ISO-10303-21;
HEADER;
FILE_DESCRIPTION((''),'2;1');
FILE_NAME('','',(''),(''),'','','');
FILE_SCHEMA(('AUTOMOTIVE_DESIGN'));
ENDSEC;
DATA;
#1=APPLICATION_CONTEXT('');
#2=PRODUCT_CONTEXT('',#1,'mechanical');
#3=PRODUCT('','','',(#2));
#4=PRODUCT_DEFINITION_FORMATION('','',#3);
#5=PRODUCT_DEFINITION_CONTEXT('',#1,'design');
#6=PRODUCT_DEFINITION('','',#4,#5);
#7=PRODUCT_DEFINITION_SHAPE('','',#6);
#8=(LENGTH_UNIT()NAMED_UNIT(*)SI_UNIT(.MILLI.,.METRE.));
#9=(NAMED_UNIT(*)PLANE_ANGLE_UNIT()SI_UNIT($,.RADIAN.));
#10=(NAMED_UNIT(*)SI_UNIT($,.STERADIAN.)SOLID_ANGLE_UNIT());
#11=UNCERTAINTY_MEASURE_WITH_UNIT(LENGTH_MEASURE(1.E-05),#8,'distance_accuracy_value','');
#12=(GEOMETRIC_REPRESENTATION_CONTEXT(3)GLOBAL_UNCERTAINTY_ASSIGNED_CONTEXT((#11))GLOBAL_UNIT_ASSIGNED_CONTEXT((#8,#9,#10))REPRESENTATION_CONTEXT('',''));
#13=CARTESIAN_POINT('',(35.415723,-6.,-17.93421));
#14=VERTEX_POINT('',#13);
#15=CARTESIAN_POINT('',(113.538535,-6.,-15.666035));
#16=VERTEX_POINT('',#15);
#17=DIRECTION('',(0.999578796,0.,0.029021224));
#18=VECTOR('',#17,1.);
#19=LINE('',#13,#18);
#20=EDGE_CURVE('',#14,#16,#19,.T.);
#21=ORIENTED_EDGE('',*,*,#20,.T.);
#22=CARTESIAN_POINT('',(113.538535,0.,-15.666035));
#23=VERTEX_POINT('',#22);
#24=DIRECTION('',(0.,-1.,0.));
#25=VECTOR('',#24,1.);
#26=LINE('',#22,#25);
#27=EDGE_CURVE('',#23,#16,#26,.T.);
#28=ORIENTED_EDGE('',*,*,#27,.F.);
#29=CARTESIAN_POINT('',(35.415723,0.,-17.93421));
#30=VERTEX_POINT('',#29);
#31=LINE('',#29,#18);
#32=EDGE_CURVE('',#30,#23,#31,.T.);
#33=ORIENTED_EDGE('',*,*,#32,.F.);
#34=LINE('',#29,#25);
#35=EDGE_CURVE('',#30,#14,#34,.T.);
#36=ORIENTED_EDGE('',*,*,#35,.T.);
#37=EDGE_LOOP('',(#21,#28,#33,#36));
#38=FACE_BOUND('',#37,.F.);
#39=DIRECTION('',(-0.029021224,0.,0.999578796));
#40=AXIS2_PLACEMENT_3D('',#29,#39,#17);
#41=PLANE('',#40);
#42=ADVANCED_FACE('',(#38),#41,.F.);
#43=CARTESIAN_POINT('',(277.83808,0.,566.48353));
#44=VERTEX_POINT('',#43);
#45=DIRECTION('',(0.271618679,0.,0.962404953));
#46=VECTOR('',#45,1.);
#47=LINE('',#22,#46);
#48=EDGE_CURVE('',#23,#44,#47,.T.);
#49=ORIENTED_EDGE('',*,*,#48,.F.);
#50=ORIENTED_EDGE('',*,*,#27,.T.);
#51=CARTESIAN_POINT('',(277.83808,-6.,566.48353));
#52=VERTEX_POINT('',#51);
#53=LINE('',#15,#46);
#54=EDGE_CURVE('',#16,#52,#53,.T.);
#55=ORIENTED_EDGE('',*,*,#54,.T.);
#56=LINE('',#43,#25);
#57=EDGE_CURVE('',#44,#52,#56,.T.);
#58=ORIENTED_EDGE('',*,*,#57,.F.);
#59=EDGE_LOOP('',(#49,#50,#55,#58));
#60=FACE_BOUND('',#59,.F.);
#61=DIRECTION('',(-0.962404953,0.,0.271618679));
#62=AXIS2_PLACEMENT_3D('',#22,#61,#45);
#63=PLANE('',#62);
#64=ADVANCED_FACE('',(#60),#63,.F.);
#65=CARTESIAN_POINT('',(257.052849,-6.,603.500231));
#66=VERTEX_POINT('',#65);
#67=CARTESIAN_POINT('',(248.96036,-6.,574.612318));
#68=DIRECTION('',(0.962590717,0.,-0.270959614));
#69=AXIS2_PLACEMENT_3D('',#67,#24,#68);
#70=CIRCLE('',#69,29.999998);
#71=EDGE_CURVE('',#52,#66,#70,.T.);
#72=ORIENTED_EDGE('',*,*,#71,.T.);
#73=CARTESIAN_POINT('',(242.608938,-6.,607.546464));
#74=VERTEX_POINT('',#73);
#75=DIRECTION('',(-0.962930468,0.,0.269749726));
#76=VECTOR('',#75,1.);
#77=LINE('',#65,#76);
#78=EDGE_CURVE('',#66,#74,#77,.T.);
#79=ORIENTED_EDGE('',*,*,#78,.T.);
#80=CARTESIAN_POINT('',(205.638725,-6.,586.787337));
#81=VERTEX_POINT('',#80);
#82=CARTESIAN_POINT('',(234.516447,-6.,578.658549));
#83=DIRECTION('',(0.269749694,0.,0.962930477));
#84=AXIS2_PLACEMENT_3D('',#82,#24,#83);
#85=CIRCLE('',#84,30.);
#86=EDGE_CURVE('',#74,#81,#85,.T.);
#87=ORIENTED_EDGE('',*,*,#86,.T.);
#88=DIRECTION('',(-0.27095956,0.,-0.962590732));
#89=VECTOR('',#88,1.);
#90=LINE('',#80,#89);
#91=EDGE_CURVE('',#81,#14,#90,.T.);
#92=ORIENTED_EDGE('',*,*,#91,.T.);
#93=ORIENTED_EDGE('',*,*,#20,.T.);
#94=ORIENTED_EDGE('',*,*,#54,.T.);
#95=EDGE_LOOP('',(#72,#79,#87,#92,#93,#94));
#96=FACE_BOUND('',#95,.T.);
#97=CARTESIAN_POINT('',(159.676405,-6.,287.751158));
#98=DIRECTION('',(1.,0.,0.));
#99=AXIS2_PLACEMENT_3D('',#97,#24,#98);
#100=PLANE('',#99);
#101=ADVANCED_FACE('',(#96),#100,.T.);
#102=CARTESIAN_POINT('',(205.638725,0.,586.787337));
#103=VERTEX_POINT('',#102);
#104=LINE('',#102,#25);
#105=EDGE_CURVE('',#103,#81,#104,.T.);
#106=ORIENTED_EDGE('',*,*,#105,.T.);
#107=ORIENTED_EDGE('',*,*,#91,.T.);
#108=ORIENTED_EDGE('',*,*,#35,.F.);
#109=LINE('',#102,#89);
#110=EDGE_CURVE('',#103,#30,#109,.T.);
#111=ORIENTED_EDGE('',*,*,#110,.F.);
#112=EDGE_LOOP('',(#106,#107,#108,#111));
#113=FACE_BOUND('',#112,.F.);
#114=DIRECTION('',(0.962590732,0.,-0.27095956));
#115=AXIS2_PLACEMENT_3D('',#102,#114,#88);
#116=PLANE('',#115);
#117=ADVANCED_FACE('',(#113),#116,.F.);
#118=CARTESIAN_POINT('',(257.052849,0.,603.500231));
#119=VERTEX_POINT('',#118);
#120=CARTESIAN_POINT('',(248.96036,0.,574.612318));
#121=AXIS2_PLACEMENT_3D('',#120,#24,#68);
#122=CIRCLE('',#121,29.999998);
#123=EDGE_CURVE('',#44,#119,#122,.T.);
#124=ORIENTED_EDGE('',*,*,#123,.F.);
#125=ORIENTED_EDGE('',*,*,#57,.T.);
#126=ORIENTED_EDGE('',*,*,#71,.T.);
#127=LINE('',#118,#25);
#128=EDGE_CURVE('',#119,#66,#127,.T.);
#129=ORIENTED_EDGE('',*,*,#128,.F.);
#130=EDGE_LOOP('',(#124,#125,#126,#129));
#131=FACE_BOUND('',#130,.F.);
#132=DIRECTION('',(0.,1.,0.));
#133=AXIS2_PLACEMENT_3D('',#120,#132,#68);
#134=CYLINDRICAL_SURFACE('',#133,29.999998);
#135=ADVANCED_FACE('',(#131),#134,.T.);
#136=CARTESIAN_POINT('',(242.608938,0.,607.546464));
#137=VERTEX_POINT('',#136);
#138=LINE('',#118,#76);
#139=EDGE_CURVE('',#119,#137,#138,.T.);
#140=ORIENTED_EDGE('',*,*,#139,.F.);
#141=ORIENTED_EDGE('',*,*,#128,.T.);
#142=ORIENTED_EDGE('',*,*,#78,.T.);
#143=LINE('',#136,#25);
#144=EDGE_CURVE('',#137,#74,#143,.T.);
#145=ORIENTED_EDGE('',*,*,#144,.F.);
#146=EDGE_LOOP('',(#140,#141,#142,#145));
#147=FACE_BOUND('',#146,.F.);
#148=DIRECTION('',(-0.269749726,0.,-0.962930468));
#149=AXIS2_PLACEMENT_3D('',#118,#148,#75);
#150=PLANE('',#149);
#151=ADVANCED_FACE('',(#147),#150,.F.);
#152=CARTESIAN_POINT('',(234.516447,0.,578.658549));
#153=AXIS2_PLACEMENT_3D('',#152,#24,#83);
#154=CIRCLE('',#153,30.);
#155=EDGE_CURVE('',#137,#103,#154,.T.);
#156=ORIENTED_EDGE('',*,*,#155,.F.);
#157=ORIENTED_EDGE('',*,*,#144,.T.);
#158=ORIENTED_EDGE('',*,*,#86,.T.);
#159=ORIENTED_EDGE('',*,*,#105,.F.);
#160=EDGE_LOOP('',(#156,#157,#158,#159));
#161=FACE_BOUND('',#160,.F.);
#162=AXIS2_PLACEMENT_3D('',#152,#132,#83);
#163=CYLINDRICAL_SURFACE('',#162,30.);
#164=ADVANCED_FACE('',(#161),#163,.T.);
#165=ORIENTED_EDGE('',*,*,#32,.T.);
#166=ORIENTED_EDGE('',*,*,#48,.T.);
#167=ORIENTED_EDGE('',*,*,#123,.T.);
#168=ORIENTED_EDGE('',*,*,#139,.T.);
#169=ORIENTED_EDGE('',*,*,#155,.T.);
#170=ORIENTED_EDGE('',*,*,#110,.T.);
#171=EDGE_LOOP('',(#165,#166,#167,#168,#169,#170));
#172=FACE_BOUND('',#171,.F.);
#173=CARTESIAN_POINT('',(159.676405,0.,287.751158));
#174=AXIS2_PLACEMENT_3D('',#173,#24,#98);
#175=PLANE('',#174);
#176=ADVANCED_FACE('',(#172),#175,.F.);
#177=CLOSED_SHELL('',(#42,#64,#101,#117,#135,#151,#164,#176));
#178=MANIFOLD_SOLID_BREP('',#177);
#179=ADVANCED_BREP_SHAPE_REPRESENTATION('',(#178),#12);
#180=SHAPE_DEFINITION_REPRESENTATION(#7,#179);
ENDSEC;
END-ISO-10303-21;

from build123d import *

# Parameters (mm, degrees)
F1_DEPTH = 6


with BuildPart() as f1:
    # F0 (on Front) → F1 (new body)
    with BuildSketch(Plane.XZ):
        with BuildLine():
            Line((205.638725, 586.787337), (35.415723, -17.93421))
            Line((35.415723, -17.93421), (113.538535, -15.666035))
            Line((113.538535, -15.666035), (277.83808, 566.48353))
            ThreePointArc((277.83808, 566.48353), (275.118688, 589.300469), (257.052849, 603.500231))
            Line((257.052849, 603.500231), (242.608938, 607.546464))
            ThreePointArc((242.608938, 607.546464), (219.828295, 604.816879), (205.638725, 586.787337))
        make_face()
    extrude(amount=F1_DEPTH)


solid = f1.part
